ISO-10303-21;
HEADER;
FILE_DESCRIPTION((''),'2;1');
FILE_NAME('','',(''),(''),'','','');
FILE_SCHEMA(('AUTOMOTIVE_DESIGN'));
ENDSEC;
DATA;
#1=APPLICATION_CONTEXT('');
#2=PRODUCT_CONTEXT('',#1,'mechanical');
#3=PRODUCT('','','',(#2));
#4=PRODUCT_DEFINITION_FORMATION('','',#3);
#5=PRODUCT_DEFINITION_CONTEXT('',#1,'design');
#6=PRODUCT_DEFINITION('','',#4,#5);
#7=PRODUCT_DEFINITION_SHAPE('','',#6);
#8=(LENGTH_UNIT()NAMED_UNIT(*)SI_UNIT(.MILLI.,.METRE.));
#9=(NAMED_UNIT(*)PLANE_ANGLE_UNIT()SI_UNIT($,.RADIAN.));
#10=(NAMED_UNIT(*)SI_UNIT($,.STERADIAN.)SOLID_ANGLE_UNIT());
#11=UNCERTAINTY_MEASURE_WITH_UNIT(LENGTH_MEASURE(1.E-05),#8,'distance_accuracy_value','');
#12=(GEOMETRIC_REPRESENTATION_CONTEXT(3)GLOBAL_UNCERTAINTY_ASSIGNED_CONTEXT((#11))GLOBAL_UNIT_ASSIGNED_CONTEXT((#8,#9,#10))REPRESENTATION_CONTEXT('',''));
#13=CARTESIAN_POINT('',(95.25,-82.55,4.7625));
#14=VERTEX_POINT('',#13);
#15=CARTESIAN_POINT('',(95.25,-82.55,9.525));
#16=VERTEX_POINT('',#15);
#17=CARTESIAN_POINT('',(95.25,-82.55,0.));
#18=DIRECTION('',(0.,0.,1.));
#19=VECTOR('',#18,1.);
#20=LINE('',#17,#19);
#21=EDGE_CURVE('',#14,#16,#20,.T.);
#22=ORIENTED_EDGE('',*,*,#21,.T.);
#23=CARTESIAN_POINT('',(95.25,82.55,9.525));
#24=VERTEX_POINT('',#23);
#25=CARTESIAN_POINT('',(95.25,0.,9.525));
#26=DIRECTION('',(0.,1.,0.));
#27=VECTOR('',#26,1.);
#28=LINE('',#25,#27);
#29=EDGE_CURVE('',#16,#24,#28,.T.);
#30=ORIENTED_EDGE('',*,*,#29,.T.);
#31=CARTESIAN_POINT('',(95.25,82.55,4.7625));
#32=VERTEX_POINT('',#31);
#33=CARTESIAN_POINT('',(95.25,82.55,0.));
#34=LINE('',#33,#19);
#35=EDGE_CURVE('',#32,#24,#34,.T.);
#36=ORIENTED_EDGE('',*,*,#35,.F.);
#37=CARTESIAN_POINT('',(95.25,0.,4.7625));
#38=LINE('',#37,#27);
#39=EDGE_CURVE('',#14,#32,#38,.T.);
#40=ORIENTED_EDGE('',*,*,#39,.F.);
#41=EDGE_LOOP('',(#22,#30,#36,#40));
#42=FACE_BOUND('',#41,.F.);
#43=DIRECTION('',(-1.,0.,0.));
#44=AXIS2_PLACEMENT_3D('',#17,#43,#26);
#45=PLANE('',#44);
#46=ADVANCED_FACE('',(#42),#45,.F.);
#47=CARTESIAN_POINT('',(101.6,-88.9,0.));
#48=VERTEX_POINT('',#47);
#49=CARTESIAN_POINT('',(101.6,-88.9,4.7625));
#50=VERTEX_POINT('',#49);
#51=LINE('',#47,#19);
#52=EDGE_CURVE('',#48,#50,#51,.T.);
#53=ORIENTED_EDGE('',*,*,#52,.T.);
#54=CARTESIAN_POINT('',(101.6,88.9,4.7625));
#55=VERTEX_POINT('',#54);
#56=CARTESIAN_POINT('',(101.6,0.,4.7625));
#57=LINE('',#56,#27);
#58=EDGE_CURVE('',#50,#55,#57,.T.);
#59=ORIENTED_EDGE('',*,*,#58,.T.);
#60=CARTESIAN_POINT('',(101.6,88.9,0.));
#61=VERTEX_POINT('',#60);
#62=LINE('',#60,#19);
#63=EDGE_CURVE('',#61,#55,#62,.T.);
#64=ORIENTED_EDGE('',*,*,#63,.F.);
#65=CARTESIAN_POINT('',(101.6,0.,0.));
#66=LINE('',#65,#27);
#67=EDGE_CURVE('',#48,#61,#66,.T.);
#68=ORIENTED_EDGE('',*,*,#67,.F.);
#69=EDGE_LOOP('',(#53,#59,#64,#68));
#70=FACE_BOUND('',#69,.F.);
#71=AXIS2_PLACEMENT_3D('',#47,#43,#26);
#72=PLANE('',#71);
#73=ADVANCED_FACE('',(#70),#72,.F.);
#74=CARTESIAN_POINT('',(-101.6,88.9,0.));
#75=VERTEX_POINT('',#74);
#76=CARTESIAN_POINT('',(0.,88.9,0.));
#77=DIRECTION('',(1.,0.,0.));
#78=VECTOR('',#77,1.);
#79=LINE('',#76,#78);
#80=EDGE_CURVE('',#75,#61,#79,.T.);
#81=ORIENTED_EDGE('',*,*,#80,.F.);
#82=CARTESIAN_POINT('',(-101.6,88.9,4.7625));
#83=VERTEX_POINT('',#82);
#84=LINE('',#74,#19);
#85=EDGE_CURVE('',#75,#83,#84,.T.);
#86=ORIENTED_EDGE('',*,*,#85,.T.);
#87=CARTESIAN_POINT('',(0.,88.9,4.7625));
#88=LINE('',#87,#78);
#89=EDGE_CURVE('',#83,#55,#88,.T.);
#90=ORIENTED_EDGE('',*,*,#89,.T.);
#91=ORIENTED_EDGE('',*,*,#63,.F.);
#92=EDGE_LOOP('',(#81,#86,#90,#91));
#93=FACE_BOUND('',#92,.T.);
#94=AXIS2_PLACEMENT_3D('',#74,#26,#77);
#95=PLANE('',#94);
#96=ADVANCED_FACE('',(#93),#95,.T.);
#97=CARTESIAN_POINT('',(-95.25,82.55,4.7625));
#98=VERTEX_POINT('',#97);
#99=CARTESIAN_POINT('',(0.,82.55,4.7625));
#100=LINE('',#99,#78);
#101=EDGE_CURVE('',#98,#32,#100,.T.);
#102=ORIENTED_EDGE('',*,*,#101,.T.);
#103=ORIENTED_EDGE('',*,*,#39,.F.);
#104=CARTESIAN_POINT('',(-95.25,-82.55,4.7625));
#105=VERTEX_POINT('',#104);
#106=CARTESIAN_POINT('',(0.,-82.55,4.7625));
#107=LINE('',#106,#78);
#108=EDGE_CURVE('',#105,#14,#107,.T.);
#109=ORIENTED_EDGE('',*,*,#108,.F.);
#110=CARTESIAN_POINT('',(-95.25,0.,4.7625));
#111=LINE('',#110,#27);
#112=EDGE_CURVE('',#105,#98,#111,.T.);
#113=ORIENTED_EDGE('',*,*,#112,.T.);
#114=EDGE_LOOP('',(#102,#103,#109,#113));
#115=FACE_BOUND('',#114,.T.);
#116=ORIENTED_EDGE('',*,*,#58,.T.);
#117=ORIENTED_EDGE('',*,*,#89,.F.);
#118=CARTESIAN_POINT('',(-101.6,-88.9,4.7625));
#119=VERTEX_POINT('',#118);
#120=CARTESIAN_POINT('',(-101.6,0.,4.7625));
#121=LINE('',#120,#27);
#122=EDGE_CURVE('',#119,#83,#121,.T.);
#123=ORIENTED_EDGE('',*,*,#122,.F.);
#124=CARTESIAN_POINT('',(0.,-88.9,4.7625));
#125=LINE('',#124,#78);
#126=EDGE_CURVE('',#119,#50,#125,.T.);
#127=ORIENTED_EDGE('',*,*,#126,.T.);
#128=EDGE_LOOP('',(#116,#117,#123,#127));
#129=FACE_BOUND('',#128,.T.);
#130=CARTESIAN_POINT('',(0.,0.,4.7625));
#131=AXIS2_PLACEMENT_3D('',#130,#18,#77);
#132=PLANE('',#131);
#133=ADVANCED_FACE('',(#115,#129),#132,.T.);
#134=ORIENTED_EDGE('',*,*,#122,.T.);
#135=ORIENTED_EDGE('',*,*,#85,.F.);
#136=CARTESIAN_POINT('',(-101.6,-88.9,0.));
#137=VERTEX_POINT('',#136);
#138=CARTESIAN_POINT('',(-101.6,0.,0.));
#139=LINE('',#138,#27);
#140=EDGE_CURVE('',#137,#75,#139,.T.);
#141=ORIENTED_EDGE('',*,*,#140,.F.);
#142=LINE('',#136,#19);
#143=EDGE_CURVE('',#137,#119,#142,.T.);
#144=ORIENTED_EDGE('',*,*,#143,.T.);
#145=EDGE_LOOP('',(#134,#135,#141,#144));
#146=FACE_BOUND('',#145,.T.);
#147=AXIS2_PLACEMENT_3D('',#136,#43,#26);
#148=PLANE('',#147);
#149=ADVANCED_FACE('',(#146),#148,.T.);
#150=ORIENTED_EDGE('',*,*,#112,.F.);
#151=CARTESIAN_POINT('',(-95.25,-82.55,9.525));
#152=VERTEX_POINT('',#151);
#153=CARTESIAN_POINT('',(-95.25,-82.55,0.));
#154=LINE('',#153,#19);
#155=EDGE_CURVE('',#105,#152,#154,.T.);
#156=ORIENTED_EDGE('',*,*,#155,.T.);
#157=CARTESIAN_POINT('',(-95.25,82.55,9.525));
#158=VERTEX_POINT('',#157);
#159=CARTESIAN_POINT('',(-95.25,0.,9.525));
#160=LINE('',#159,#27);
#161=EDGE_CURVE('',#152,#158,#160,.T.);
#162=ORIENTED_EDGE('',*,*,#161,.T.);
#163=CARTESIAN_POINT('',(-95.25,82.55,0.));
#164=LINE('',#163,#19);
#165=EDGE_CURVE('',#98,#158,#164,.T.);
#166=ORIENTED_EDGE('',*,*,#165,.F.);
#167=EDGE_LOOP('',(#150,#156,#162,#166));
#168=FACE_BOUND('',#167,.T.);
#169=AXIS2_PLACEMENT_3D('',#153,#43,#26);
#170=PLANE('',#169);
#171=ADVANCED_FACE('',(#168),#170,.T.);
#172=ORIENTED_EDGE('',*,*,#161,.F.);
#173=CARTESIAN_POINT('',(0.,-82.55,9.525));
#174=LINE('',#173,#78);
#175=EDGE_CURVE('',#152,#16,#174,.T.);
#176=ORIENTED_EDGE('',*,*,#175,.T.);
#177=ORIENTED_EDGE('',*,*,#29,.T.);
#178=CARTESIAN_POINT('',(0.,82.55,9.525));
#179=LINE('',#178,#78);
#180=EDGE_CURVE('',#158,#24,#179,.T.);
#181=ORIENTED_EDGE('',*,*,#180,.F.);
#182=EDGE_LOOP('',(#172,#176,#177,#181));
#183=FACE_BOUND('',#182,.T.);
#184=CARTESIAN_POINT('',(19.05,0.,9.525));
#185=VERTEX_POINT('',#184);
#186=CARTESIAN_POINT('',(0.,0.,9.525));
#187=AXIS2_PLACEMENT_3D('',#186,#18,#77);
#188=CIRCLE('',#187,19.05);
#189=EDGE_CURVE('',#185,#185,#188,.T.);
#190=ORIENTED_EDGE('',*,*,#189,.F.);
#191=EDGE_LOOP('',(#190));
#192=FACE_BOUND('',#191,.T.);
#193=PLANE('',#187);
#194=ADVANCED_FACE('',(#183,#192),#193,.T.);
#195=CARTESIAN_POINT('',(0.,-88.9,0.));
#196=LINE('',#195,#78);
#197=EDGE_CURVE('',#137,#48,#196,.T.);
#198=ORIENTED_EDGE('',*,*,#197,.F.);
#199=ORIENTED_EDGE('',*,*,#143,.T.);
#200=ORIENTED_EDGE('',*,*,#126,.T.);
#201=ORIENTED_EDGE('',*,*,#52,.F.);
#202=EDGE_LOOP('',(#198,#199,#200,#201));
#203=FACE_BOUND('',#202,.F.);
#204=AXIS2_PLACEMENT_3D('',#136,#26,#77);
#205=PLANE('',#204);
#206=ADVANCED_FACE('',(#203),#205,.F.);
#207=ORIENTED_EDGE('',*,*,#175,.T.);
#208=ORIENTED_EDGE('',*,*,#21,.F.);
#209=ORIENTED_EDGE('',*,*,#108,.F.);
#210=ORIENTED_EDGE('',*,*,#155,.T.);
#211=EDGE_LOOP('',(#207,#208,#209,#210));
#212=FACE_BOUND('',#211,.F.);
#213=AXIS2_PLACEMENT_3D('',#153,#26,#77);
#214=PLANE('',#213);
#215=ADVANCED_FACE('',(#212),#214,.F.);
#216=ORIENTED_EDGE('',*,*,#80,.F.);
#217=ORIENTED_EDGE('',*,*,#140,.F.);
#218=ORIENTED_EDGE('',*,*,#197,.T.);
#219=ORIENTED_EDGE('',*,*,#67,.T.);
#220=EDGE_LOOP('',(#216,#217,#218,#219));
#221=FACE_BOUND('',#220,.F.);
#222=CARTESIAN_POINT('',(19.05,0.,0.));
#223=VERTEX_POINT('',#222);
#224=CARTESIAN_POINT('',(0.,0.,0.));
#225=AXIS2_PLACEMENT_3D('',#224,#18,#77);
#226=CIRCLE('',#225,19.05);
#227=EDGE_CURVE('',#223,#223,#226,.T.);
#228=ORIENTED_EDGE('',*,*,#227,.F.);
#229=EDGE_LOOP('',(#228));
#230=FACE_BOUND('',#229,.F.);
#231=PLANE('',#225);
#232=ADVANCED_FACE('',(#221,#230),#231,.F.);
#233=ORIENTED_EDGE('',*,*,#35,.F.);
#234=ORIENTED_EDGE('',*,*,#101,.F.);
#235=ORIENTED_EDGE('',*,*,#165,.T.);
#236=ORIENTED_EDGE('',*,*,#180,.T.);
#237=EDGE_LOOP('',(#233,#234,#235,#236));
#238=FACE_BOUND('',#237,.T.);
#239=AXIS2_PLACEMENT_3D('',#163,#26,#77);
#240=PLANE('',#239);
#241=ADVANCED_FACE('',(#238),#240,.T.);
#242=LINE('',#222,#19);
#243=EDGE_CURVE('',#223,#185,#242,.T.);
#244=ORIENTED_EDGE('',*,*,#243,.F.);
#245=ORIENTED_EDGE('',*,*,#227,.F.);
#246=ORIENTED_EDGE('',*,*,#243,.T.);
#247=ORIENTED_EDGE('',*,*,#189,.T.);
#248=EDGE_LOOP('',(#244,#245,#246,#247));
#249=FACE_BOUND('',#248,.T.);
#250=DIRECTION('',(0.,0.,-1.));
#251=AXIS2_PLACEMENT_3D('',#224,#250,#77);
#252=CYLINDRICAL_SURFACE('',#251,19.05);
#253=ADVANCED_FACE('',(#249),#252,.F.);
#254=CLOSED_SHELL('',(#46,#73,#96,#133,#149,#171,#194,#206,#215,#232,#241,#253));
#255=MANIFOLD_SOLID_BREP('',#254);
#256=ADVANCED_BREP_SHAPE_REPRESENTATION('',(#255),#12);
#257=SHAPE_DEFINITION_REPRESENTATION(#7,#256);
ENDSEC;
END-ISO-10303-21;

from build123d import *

# Parameters (mm, degrees)
F0_W     = 190.5
F0_H     = 165.1
F0_R     = 19.05
F1_DEPTH = 9.525
F0_W_2   = 203.2
F0_H_2   = 177.8
F2_DEPTH = 4.7625


with BuildPart() as f1:
    # F0 (on Top) → F1 (new body)
    with BuildSketch(Plane.XY):
        Rectangle(F0_W, F0_H)
        Circle(F0_R, mode=Mode.SUBTRACT)
    extrude(amount=F1_DEPTH)

    # F0 (on Top) → F2 (join)
    with BuildSketch(Plane.XY):
        Rectangle(F0_W_2, F0_H_2)
        Rectangle(F0_W, F0_H, mode=Mode.SUBTRACT)
    extrude(amount=F2_DEPTH)


solid = f1.part
